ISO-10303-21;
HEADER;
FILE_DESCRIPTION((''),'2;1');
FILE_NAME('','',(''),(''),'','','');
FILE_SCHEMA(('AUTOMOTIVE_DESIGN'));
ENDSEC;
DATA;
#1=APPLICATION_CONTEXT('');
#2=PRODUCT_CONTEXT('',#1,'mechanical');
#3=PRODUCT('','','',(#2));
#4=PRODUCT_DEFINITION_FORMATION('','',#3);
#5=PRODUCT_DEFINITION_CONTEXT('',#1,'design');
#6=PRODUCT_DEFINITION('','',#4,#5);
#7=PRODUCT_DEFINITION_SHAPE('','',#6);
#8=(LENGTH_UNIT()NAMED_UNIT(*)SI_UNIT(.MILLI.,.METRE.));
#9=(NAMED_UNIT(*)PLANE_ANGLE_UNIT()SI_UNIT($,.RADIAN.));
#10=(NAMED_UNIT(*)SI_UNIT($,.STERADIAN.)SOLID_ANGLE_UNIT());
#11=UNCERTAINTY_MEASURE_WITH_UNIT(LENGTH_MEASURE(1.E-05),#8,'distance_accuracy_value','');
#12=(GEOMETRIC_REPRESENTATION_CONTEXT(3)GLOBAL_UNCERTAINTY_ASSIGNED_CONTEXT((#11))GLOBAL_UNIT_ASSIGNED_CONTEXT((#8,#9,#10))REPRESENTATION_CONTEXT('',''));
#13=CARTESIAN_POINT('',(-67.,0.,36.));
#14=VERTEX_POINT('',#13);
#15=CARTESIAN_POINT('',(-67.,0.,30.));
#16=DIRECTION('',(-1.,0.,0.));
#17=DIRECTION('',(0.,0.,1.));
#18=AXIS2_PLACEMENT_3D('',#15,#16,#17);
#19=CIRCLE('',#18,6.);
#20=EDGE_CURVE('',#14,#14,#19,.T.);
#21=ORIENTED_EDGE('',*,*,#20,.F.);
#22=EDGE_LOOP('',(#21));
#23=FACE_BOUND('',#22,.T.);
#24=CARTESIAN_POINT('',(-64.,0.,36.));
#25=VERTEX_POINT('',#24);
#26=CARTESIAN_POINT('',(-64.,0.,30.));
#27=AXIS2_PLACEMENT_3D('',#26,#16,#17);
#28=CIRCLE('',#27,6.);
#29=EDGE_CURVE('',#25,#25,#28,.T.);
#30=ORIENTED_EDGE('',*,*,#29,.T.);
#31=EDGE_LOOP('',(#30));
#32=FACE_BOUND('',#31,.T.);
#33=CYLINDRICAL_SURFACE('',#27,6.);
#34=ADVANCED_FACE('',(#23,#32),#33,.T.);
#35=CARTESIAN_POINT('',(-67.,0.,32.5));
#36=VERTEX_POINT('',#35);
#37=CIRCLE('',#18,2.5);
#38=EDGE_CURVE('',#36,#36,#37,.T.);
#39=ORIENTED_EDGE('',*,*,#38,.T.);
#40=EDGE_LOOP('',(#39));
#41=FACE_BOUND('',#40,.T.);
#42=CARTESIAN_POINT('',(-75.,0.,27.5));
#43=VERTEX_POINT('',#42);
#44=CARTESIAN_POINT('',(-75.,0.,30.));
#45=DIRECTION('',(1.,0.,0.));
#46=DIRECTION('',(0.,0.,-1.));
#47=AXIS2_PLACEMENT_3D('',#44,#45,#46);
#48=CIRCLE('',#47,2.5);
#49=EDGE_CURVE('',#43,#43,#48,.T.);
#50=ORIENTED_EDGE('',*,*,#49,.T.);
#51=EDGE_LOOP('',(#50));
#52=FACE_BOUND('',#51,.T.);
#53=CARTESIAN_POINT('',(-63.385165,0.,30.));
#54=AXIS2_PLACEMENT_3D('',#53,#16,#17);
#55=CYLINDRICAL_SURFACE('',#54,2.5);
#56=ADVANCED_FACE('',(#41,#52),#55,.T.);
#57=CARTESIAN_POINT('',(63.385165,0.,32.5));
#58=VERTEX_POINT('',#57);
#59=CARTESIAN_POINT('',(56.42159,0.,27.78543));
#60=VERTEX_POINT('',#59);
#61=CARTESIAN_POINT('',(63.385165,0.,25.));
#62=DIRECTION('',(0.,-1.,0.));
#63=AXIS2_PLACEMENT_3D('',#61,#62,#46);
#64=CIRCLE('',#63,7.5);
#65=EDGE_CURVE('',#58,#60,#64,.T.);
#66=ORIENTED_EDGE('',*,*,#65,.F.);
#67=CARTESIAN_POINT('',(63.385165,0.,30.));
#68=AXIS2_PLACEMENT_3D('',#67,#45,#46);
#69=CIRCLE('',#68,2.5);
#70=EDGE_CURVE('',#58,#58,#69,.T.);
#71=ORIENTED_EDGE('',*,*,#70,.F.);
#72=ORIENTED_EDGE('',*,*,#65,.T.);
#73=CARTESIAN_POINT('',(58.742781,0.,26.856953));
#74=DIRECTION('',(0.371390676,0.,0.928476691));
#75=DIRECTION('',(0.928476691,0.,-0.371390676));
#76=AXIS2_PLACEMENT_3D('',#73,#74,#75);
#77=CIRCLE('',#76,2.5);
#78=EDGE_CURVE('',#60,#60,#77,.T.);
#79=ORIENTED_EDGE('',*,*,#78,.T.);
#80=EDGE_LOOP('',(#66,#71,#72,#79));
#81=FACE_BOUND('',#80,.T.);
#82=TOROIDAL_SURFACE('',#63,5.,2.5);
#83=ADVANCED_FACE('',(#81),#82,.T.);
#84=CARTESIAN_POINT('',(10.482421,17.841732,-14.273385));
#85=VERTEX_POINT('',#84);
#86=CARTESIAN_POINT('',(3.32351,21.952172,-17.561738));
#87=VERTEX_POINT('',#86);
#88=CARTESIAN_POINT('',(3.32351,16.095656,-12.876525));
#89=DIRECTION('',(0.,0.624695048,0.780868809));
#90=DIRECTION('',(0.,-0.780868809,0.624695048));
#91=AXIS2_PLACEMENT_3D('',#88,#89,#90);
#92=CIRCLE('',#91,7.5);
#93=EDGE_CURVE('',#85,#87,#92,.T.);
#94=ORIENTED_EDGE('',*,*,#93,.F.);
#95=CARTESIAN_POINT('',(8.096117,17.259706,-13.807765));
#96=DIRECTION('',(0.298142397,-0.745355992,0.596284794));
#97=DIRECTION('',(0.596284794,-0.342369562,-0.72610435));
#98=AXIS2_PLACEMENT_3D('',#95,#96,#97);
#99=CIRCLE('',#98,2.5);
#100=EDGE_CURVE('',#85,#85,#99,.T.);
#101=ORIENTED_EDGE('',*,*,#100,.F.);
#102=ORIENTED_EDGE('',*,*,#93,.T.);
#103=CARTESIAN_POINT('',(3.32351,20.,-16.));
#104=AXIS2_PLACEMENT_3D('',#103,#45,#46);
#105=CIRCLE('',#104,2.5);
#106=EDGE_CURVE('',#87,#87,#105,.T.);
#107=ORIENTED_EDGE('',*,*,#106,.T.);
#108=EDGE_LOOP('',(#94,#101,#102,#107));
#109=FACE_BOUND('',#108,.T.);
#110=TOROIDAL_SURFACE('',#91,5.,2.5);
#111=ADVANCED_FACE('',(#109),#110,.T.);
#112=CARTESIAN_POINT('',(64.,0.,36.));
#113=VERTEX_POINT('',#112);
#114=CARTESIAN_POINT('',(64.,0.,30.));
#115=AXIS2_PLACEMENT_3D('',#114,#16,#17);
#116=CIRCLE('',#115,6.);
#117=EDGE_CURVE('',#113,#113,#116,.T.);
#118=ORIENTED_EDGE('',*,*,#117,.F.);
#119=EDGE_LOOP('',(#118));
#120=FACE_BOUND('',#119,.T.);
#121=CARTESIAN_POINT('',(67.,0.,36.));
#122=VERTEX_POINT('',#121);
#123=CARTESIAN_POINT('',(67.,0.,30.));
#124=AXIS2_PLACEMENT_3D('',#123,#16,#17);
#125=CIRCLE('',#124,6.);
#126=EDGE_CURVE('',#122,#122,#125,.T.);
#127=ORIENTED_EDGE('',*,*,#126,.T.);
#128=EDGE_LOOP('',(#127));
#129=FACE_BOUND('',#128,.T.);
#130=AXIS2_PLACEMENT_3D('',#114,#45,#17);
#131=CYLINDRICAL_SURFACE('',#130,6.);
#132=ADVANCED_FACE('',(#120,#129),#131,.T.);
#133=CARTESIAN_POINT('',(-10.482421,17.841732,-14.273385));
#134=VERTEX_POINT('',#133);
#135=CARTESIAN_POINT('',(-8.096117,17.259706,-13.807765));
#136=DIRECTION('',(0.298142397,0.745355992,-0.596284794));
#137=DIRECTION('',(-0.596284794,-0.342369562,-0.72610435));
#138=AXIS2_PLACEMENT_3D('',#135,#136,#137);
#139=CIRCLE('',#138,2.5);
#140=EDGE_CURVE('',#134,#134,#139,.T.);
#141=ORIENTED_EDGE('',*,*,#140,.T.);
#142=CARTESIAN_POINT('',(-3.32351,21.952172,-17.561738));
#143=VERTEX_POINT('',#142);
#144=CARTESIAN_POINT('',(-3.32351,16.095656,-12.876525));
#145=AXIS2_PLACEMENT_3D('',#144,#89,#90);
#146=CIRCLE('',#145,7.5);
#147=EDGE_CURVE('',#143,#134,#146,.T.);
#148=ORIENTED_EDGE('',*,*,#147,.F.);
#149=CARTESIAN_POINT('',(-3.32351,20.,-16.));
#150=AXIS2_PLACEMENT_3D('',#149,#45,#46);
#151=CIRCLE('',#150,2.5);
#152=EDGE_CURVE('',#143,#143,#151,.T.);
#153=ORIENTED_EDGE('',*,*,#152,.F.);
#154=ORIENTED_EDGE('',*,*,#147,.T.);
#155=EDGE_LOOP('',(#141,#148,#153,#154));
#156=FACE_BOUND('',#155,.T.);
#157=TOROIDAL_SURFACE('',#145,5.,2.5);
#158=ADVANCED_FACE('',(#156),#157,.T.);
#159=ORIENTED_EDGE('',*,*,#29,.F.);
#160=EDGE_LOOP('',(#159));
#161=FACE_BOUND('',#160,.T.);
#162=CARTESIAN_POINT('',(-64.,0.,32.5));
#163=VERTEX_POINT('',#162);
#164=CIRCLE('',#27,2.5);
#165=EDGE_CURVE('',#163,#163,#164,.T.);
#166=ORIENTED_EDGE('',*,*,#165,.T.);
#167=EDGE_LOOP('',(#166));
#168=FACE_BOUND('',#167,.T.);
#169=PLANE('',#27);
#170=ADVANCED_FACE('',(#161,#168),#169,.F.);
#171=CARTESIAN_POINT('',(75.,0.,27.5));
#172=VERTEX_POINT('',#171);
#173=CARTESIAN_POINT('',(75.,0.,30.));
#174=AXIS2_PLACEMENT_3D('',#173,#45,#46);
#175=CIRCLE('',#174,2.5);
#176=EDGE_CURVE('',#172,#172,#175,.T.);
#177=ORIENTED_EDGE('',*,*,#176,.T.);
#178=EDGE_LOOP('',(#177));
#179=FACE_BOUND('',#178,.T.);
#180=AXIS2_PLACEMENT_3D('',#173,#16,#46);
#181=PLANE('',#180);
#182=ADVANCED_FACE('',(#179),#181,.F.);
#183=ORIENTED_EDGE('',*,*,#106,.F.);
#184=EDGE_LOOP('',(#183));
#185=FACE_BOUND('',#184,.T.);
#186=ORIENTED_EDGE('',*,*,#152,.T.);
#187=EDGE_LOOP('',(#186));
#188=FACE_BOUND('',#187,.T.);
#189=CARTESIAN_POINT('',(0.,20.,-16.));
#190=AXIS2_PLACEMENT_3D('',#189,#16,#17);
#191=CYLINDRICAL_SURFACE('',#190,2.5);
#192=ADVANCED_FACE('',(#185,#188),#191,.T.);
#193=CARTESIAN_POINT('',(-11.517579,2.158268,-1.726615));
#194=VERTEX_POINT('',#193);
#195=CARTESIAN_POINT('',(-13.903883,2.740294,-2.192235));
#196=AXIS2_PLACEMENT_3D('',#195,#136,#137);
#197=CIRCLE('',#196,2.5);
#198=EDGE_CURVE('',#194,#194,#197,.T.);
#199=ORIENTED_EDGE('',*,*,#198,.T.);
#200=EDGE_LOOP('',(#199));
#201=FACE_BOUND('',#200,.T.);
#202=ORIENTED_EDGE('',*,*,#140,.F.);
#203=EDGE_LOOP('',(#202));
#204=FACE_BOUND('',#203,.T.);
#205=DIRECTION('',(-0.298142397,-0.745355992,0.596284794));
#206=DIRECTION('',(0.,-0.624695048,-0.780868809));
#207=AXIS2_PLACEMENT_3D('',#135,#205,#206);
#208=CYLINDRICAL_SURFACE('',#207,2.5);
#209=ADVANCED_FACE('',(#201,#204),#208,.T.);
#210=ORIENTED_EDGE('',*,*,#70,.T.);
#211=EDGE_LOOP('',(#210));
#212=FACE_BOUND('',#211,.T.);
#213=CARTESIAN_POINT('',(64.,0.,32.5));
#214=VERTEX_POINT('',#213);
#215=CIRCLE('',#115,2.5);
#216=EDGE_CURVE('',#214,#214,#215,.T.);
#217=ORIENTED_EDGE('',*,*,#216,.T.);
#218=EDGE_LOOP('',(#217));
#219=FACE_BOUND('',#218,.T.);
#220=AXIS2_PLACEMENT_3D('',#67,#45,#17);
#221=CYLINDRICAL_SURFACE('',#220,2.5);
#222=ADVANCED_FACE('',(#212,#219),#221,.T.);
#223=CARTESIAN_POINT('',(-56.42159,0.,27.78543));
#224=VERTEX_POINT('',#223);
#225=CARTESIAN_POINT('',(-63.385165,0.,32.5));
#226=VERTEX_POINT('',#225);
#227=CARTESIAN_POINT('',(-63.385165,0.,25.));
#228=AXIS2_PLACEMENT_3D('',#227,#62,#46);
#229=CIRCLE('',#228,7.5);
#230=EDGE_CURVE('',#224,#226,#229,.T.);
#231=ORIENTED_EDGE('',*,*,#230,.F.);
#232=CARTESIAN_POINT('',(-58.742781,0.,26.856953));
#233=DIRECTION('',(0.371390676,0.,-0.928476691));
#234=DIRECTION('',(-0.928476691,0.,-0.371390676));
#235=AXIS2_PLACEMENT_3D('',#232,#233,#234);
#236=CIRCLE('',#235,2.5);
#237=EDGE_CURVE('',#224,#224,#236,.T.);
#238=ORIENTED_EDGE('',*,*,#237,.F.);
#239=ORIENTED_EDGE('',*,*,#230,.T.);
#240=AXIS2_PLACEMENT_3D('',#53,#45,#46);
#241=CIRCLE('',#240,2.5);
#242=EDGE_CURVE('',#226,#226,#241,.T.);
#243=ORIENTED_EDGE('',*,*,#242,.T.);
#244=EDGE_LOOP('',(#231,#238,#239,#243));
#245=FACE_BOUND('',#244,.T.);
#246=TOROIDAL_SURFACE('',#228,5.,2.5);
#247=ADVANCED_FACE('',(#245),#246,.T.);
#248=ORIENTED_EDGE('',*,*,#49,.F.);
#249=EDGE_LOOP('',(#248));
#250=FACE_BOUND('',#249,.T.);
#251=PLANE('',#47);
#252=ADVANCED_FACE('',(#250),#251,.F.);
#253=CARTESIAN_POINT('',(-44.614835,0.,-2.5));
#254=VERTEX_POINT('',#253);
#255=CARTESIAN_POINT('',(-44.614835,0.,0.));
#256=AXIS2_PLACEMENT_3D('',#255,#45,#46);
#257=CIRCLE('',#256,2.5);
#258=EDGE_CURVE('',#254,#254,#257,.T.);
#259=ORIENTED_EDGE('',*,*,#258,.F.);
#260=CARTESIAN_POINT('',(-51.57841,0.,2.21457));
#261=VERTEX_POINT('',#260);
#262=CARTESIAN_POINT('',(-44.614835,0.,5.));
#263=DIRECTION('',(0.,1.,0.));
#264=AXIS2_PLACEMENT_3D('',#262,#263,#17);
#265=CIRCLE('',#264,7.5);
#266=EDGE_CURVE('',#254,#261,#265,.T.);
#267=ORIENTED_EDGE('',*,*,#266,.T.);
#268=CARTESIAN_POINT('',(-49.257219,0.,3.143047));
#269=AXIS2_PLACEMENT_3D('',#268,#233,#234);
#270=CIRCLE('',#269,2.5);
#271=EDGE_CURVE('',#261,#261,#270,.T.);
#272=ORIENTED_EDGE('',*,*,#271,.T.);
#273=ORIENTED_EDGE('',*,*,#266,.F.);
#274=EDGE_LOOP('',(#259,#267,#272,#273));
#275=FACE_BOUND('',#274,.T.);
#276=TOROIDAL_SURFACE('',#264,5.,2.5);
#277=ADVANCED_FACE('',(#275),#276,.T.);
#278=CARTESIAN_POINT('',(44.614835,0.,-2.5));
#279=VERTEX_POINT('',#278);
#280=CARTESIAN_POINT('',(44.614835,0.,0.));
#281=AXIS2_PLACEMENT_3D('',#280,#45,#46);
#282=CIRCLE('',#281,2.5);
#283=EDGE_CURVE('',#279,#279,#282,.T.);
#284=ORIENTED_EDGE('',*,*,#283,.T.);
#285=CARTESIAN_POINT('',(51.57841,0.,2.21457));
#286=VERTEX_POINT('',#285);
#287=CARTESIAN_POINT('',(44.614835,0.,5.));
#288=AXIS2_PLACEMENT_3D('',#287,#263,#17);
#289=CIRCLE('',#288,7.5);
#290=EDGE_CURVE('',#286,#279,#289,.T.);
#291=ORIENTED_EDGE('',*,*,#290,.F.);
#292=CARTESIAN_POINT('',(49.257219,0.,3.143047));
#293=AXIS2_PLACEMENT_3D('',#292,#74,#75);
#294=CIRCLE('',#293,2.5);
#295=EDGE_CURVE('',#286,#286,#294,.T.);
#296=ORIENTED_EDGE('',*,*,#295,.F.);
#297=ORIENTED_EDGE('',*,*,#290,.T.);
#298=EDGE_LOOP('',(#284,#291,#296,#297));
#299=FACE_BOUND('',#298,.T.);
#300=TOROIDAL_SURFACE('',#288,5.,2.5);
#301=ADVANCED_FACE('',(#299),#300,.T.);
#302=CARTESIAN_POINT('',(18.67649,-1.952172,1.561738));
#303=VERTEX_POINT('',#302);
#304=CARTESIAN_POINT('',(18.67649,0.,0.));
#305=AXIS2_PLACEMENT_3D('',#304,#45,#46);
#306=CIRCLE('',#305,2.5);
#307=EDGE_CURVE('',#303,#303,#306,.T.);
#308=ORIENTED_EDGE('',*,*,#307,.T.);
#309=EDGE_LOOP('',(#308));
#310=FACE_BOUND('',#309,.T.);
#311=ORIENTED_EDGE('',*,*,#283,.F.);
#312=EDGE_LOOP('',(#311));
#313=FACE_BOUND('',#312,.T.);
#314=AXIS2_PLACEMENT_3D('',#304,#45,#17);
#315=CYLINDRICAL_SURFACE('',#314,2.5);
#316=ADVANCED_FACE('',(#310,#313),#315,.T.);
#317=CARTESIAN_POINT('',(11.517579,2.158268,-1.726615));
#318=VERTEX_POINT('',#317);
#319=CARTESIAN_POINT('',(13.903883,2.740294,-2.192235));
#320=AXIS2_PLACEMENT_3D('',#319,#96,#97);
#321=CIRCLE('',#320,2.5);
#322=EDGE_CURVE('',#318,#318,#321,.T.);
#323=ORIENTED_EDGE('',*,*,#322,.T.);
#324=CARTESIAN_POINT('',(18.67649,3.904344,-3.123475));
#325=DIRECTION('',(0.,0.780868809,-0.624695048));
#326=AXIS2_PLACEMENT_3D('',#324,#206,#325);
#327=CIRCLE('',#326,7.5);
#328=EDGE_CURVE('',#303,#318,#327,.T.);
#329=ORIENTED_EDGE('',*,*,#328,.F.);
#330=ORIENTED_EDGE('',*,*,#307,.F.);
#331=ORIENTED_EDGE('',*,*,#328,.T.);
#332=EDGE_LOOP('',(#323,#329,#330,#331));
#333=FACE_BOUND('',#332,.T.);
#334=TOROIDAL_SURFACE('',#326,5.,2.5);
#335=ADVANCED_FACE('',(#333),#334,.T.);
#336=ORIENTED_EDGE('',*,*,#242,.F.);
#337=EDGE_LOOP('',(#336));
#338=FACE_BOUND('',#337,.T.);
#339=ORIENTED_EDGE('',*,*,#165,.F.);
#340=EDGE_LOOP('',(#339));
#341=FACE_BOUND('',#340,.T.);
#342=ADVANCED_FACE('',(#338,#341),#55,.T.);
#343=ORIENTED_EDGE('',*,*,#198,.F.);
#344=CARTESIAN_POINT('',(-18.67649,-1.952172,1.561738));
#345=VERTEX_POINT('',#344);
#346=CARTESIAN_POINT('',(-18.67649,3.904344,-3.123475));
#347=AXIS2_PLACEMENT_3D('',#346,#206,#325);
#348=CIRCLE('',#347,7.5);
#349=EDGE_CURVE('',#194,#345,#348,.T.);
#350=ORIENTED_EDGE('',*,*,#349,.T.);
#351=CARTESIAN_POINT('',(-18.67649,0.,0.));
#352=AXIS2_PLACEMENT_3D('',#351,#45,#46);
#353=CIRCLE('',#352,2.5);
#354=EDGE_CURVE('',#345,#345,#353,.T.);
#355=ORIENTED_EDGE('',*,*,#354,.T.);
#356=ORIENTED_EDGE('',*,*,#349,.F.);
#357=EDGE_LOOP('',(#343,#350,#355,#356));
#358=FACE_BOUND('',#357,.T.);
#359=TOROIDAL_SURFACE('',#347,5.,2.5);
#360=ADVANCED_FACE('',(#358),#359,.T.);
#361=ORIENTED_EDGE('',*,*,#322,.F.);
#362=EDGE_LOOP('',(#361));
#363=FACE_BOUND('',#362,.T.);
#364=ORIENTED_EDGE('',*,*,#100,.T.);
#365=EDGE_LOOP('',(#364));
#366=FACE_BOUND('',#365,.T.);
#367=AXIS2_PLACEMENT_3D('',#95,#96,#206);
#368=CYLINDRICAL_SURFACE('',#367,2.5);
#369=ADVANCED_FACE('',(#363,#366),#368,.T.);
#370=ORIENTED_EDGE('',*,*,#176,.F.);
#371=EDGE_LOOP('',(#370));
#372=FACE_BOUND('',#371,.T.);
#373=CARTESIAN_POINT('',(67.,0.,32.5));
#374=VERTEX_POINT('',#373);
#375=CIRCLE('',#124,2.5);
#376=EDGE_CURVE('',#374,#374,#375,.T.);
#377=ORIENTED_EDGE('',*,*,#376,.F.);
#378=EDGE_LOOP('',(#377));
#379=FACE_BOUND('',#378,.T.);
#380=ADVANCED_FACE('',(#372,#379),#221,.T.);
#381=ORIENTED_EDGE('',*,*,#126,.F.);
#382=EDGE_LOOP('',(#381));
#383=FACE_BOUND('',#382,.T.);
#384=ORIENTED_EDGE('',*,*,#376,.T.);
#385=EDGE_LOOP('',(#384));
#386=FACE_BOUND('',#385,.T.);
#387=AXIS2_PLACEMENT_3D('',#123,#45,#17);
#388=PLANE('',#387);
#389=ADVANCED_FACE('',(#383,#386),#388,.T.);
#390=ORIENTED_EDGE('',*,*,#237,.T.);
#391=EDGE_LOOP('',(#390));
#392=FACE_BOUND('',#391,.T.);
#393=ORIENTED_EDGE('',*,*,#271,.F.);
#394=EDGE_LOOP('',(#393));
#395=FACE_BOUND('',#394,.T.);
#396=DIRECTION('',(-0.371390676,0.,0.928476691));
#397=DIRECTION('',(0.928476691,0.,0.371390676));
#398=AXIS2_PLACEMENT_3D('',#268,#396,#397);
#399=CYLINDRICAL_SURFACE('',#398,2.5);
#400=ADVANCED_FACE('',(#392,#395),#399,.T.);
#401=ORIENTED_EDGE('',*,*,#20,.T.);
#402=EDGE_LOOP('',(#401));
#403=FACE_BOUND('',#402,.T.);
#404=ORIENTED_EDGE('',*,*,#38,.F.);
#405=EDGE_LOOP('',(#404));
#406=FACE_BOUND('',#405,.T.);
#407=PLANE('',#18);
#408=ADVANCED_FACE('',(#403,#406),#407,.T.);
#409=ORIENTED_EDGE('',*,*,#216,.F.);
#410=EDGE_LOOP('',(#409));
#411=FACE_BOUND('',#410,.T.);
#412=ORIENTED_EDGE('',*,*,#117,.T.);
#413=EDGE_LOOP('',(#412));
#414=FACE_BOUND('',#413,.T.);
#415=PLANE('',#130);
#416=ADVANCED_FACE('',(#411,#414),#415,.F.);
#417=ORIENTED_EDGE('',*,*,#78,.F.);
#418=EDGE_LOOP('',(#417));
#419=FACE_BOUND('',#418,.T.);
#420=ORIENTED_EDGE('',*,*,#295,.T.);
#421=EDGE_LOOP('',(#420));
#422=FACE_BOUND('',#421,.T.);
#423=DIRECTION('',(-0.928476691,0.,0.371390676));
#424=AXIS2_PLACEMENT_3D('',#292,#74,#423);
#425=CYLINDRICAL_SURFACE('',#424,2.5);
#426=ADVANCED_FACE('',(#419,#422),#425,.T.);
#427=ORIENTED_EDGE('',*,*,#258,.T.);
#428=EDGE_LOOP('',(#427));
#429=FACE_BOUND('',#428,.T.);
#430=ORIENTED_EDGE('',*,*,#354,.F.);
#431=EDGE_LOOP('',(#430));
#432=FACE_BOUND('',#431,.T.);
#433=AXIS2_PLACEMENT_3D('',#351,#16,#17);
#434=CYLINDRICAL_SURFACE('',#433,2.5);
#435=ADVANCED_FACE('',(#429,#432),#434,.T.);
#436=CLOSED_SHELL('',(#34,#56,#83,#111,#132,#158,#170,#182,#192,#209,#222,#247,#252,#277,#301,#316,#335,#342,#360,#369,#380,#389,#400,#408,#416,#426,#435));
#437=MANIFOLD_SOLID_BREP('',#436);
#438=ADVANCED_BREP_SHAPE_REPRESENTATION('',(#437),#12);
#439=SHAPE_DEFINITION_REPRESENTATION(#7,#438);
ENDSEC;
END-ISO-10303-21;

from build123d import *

# Parameters (mm, degrees)
SKETCH1_R           = 2.5
SKETCH3_R           = 6
BOSS_EXTRUDE1_DEPTH = 3


with BuildPart() as part:
    # Sweep1: sweep along a curve in space
    with BuildLine() as sweep1_path:
        Line((0, 20, -16), (-3.323510401, 20, -16))
        ThreePointArc((-3.323510401, 20, -16), (-6.285472594, 19.24118898, -15.392951184), (-8.096117422, 17.259706446, -13.807765157))
        Line((-13.903882578, 2.740293554, -2.192234843), (-8.096117422, 17.259706446, -13.807765157))
        ThreePointArc((-18.676489599, 0, 0), (-15.714527406, 0.75881102, -0.607048816), (-13.903882578, 2.740293554, -2.192234843))
        Line((-44.614835193, 0, 0), (-18.676489599, 0, 0))
        ThreePointArc((-49.257218647, 0, 3.143046618), (-47.417979239, 0, 0.859663848), (-44.614835193, 0, 0))
        Line((-58.742781353, 0, 26.856953382), (-49.257218647, 0, 3.143046618))
        ThreePointArc((-63.385164807, 0, 30), (-60.582020761, 0, 29.140336152), (-58.742781353, 0, 26.856953382))
        Line((-75, 0, 30), (-63.385164807, 0, 30))
    # Sketch1 → Sweep1 (sweep)
    with BuildSketch(Plane(origin=(0, 0, 0), x_dir=(0, 0, -1), z_dir=(1, 0, 0))):
        with Locations((16, 20)):
            Circle(SKETCH1_R)
    sweep(path=sweep1_path.line)

    # Sketch3 → Boss-Extrude1 (add)
    with BuildSketch(Plane.ZY.offset(67)):
        with Locations((30, 0)):
            Circle(SKETCH3_R)
    extrude(amount=-BOSS_EXTRUDE1_DEPTH)

    # Mirror1: part across plane


with BuildPart() as part_1:
    add(part.part)
    add(part.part.mirror(Plane(origin=(0, 20, -16), x_dir=(0, 0, 1), z_dir=(1, 0, 0))))


solid = part_1.part
